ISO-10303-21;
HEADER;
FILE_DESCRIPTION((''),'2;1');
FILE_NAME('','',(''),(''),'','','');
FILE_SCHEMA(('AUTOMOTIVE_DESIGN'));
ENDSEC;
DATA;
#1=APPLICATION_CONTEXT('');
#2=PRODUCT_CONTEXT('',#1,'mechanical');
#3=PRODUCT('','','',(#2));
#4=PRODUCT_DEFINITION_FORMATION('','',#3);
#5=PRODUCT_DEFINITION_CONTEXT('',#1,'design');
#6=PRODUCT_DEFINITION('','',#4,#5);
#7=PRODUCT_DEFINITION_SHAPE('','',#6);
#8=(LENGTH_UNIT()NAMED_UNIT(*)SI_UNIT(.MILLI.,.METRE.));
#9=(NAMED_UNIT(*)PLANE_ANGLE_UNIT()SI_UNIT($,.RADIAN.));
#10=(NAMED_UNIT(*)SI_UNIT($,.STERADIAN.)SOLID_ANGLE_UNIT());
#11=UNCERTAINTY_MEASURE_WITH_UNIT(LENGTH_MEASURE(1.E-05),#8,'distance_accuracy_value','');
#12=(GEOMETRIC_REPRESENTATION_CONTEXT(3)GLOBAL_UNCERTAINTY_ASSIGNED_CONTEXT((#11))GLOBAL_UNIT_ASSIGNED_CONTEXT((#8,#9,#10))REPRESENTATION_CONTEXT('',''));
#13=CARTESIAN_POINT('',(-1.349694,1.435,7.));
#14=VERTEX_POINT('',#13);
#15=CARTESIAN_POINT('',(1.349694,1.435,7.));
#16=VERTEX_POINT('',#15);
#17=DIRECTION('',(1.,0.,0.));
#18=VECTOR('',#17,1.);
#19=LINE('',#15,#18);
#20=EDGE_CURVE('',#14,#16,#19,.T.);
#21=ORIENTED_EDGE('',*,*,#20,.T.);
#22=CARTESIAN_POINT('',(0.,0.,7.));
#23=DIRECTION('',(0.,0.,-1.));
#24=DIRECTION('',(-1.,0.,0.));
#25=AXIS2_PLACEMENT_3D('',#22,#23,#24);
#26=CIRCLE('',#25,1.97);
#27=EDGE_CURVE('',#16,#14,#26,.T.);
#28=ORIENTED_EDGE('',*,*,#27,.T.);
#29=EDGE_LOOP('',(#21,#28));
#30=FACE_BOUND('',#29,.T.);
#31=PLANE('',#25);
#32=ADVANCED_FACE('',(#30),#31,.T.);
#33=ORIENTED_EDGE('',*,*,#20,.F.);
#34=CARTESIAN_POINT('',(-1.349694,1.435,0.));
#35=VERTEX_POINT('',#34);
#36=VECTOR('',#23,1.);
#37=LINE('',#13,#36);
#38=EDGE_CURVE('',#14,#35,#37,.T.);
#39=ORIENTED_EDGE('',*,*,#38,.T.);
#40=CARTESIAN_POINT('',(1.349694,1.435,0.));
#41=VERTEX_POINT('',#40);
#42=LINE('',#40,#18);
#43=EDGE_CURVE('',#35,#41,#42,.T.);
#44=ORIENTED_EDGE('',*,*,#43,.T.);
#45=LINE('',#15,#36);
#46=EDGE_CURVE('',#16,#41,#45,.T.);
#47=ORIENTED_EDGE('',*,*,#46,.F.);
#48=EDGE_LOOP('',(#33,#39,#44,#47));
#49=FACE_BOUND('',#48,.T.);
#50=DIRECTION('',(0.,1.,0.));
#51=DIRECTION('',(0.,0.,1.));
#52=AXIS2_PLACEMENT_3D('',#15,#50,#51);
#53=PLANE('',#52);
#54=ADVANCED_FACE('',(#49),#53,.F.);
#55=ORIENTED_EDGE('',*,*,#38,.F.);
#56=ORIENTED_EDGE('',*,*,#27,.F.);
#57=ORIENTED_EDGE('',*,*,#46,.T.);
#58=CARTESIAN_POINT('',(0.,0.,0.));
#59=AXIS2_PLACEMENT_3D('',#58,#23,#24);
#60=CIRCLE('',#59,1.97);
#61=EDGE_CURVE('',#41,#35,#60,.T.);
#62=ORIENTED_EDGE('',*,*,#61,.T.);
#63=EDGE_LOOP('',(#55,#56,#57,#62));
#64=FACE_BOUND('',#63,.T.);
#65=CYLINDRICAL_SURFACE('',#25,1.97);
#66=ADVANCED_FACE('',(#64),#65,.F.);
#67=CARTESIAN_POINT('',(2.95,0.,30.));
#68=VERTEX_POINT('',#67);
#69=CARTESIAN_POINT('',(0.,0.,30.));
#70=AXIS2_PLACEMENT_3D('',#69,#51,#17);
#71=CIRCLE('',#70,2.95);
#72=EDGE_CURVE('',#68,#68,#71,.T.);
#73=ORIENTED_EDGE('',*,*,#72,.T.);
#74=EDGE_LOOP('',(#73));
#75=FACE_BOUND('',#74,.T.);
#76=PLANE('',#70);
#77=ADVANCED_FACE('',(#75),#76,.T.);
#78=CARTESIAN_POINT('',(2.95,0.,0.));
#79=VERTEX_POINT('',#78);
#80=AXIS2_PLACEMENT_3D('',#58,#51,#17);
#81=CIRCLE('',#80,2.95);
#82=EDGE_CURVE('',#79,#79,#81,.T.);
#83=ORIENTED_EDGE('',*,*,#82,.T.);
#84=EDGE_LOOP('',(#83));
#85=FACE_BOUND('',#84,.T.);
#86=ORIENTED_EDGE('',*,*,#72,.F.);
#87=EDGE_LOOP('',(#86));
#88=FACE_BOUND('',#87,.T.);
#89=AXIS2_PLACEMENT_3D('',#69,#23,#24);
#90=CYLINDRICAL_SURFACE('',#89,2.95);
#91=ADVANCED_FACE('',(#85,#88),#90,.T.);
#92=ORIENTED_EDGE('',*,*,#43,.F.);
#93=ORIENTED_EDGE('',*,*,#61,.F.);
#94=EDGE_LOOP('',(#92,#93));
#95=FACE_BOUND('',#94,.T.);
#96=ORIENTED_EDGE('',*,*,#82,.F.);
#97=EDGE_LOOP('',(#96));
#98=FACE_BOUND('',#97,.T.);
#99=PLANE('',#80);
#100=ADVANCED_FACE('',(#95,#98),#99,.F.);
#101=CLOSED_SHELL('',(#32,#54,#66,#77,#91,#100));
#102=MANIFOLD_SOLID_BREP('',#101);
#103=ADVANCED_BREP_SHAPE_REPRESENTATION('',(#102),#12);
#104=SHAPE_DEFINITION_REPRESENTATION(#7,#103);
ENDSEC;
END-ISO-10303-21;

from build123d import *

# Parameters (mm, degrees)
SKETCH1_R           = 2.95
BOSS_EXTRUDE1_DEPTH = 30
CUT_EXTRUDE1_DEPTH  = 7


with BuildPart() as part:
    # Sketch1 → Boss-Extrude1 (new body)
    with BuildSketch(Plane.XY):
        Circle(SKETCH1_R)
    extrude(amount=BOSS_EXTRUDE1_DEPTH)

    # Sketch2 → Cut-Extrude1 (cut)
    with BuildSketch(Plane(origin=(0, 0, 0), x_dir=(-1, 0, 0), z_dir=(0, 0, -1))):
        with BuildLine():
            Line((-1.34969441, 1.435), (1.34969441, 1.435))
            ThreePointArc((1.34969441, 1.435), (0, -1.97), (-1.34969441, 1.435))
        make_face()
    extrude(amount=-CUT_EXTRUDE1_DEPTH, mode=Mode.SUBTRACT)


solid = part.part
